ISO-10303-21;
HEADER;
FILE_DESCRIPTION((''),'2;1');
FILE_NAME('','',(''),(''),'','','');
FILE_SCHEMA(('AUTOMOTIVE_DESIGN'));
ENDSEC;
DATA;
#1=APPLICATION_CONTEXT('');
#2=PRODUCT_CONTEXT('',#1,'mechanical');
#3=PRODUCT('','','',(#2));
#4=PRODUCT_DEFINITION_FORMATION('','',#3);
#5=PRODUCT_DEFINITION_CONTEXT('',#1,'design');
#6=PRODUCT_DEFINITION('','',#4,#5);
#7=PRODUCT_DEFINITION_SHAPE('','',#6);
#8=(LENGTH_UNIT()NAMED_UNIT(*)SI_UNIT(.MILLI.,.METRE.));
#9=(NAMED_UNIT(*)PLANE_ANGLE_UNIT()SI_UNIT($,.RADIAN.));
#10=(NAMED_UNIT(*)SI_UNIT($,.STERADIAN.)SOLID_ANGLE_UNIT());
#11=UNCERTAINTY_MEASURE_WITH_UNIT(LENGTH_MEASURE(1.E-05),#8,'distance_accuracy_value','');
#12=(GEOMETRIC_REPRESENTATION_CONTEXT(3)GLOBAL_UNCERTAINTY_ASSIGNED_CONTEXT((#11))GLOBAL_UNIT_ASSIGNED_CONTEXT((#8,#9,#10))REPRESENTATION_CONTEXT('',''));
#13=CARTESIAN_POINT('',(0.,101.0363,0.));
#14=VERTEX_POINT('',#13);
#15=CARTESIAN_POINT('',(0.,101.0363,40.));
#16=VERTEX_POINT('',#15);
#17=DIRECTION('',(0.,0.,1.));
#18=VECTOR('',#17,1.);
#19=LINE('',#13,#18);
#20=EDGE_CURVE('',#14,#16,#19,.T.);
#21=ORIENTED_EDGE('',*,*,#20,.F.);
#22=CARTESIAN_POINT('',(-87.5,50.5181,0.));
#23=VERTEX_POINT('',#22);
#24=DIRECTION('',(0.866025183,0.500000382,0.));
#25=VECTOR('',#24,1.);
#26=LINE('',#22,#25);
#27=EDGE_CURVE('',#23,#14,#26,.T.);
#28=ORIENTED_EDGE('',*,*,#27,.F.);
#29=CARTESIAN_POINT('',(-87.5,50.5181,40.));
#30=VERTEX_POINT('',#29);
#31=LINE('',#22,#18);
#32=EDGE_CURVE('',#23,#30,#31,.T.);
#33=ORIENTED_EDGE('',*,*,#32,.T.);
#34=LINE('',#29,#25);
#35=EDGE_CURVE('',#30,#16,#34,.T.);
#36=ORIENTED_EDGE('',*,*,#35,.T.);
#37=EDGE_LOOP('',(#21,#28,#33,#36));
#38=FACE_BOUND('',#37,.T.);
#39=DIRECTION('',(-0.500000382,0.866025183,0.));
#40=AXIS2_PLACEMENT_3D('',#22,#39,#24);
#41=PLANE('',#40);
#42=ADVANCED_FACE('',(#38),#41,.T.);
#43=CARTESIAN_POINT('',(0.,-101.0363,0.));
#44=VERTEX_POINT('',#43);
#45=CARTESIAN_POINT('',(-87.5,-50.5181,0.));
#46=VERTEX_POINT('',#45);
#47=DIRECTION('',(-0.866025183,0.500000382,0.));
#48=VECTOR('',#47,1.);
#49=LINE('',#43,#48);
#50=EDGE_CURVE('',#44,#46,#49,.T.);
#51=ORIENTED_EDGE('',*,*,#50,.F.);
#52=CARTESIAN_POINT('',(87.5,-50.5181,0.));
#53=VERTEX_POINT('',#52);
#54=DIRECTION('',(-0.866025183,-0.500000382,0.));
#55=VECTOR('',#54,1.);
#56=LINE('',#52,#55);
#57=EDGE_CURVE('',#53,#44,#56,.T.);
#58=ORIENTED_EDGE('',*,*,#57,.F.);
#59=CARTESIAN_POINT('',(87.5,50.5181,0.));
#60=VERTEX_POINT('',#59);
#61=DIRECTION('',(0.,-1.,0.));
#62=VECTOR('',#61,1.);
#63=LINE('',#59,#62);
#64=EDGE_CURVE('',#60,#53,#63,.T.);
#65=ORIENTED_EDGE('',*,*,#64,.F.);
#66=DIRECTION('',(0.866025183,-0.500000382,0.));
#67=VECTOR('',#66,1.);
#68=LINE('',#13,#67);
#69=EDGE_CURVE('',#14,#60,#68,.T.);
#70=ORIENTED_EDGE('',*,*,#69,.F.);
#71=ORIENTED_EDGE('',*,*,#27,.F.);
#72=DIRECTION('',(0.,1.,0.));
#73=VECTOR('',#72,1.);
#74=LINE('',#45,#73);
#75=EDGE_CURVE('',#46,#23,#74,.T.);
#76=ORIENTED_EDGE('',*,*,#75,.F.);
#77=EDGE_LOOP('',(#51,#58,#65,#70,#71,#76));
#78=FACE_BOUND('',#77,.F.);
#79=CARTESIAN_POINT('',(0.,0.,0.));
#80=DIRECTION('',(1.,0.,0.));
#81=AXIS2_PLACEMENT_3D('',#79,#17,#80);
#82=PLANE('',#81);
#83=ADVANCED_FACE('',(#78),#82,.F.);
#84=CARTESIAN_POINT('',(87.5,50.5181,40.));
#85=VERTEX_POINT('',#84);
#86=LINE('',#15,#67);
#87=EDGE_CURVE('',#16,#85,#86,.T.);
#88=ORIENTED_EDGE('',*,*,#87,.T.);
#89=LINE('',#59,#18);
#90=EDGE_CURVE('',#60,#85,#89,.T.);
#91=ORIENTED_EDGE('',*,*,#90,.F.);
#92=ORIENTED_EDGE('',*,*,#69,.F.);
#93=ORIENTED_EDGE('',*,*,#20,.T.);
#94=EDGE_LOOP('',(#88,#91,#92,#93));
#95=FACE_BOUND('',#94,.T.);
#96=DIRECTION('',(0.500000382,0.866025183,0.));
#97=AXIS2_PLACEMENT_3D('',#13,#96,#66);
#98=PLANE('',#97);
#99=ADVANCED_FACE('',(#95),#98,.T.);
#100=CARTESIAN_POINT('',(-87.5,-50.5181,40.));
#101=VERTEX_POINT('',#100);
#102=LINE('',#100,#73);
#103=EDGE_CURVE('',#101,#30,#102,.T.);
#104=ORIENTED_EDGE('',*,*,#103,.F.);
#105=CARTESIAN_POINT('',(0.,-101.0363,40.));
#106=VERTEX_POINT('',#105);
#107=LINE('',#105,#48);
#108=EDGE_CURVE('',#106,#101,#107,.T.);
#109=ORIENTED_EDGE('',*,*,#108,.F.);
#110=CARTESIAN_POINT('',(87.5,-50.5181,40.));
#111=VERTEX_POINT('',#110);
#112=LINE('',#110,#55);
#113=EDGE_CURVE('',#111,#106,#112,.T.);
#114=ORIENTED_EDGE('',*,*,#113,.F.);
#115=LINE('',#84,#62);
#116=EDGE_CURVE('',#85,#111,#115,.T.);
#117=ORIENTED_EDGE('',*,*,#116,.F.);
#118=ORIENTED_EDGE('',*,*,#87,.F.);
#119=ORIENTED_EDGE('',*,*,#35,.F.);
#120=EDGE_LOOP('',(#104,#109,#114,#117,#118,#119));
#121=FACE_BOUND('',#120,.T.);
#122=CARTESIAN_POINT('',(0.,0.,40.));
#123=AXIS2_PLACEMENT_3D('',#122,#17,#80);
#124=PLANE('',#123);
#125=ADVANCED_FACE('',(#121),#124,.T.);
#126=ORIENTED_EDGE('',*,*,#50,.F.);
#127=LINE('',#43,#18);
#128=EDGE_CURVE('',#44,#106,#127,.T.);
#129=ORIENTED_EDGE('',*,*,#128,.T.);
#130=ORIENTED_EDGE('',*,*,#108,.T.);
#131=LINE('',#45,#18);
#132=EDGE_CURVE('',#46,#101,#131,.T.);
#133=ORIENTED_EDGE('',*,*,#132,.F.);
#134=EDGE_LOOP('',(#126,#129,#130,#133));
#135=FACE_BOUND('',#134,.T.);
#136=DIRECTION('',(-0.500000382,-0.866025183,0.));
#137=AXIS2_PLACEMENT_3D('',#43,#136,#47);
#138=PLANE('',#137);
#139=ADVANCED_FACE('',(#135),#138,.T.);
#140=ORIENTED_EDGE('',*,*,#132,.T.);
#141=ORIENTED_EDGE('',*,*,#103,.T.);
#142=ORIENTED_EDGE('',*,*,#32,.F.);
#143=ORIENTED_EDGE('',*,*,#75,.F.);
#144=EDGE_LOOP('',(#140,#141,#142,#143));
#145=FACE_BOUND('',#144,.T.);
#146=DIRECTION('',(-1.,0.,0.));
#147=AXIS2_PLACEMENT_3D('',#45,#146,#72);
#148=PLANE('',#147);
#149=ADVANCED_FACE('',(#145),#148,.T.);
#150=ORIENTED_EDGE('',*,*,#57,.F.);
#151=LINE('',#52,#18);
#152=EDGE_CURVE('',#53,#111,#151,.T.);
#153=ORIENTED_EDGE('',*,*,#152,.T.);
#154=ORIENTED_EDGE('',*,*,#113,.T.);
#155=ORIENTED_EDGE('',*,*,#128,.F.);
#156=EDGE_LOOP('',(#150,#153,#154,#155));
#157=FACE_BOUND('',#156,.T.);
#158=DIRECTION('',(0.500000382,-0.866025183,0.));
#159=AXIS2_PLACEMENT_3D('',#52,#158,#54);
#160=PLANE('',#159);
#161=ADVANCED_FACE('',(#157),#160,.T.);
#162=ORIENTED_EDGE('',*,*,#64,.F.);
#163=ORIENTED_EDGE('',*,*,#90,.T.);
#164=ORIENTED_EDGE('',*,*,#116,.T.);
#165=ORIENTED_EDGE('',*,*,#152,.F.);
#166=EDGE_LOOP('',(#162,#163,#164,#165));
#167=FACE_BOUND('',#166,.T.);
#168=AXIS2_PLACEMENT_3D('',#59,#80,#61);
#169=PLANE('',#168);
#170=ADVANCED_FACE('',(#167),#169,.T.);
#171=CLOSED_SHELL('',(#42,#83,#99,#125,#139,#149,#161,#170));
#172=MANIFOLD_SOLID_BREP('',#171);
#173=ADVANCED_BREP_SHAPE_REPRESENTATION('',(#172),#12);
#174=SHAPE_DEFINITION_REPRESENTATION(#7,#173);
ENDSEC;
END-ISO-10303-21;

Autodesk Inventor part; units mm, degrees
ref_plane "YZ Plane" through (0, 0, 0) normal (1, 0, 0) x (0, 1, 0)
ref_plane "XZ Plane" through (0, 0, 0) normal (0, 1, 0) x (-1, 0, 0)
ref_plane "XY Plane" through (0, 0, 0) normal (0, 0, 1) x (1, 0, 0)
sketch "Sketch2" plane through (0, 0, 0) normal (0, 0, 1) x (1, 0, 0)
  line L0 (0, -101.0363) -> (-87.5, -50.5181)
  line L1 (-87.5, -50.5181) -> (-87.5, 50.5181)
  line L2 (-87.5, 50.5181) -> (0, 101.0363)
  line L3 (0, 101.0363) -> (87.5, 50.5181)
  line L4 (87.5, 50.5181) -> (87.5, -50.5181)
  line L5 (87.5, -50.5181) -> (0, -101.0363)
  point P0 (0, 0)
  point P1 (0, 0)
  dimension "d4" = 175
extrude "Extrusion2" add sketch "Sketch2" along normal blind 40
properties part number "Half Hexagon Test v1"
